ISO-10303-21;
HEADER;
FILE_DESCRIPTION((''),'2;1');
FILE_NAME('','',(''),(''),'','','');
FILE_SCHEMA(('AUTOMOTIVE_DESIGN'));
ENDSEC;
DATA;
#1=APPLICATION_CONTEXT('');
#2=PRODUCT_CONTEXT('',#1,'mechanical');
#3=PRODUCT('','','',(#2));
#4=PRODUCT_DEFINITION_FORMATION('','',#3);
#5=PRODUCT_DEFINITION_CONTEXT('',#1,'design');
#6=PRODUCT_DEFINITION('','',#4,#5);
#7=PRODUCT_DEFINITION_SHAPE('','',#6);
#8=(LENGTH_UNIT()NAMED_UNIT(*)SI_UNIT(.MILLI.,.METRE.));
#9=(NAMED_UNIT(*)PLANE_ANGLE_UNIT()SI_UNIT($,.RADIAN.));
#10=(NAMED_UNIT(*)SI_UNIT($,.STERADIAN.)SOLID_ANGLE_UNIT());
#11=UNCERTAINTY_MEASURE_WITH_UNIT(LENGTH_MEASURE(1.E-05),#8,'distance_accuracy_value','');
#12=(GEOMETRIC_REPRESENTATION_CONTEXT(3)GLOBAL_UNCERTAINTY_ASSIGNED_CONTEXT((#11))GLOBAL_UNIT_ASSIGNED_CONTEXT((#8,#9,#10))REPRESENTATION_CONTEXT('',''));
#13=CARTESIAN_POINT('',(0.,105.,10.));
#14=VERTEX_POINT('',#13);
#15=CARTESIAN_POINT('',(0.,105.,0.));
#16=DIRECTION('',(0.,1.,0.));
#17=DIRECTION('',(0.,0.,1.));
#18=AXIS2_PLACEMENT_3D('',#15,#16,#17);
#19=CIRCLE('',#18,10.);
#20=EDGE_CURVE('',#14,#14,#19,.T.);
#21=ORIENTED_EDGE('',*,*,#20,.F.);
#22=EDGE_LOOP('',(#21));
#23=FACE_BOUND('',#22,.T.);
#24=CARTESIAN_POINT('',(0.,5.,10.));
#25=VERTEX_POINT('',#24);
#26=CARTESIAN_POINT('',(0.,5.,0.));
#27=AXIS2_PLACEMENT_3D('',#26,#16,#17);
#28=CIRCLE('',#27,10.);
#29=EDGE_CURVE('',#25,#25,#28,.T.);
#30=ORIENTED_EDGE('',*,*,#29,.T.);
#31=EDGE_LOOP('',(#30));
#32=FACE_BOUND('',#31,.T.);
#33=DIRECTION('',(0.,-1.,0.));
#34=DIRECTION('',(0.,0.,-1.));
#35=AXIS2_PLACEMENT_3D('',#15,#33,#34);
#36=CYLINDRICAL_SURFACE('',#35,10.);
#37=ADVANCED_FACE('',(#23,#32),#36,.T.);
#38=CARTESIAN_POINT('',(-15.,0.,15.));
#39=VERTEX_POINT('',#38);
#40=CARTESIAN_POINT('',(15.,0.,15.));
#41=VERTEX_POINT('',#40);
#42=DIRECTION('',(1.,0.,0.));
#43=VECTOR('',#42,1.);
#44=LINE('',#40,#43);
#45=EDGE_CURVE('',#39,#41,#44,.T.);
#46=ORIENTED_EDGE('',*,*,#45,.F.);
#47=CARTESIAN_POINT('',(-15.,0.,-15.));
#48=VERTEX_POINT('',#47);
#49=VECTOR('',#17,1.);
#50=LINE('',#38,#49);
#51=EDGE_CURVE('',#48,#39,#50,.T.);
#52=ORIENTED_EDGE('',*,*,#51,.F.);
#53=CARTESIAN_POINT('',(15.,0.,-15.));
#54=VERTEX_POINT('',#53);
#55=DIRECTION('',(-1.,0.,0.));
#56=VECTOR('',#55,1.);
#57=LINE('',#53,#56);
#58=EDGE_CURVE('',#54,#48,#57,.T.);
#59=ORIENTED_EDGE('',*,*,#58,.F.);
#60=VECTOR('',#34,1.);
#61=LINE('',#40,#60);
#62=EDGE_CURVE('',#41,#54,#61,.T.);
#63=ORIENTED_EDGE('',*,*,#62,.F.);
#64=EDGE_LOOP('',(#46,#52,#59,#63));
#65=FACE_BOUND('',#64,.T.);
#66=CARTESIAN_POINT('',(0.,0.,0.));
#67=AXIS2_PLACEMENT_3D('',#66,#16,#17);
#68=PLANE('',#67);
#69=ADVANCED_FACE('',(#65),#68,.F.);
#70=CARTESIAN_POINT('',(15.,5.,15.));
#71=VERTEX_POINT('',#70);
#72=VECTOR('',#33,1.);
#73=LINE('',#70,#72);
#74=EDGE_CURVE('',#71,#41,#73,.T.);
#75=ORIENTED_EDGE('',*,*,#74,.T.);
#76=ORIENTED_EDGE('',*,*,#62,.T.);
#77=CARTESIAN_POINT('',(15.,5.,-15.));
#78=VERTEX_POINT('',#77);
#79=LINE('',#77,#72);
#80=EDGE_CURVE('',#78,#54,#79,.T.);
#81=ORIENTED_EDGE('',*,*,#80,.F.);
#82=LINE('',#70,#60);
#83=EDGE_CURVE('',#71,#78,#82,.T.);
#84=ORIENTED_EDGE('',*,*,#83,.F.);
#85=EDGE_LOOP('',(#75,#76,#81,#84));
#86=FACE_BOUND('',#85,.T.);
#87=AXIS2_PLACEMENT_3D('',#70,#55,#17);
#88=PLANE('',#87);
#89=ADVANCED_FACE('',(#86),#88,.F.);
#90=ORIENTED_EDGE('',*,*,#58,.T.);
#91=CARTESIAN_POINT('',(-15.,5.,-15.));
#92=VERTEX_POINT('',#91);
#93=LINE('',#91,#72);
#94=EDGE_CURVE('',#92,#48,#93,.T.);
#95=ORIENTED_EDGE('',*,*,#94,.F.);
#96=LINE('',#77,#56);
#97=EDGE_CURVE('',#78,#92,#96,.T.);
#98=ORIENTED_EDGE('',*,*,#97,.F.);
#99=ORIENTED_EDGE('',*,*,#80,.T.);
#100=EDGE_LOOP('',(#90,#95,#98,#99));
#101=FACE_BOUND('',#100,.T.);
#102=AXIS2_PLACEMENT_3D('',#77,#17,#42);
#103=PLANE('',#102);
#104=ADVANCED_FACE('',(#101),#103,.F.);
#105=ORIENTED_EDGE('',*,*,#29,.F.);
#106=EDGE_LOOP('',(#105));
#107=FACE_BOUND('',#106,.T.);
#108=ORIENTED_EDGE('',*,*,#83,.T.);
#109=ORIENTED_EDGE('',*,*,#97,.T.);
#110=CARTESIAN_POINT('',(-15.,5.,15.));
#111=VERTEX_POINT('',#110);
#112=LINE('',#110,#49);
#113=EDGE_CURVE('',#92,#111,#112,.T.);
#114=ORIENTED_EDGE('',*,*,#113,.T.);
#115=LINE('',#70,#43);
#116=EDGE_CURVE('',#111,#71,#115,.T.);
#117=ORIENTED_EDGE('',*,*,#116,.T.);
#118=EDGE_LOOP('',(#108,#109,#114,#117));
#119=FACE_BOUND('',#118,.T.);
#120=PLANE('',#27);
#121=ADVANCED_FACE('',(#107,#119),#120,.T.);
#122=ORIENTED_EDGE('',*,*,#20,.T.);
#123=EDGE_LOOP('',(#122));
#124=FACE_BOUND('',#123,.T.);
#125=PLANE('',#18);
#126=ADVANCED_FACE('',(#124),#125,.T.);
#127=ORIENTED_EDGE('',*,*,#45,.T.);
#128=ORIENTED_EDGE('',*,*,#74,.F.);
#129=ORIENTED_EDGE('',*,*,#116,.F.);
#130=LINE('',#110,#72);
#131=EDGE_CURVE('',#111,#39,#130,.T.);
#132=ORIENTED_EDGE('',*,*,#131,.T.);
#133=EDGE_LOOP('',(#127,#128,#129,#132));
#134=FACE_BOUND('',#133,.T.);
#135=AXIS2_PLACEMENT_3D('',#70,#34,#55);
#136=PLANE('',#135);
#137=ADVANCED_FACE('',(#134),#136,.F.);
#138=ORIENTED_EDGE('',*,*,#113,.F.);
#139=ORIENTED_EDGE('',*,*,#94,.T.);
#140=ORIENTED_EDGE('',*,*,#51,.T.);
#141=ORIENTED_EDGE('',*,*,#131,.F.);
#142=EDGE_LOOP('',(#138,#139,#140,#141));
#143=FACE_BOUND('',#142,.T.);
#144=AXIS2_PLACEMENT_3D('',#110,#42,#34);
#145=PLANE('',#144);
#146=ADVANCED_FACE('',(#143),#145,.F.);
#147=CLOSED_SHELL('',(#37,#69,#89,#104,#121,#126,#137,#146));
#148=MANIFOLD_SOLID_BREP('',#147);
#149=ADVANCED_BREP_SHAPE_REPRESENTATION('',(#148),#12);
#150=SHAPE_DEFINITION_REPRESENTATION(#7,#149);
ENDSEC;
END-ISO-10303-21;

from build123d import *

# Parameters (mm, degrees)
SKETCH1_W           = 30
SKETCH1_H           = 30
BOSS_EXTRUDE1_DEPTH = 5
SKETCH2_R           = 10
BOSS_EXTRUDE2_DEPTH = 100


with BuildPart() as part:
    # Sketch1 → Boss-Extrude1 (new body)
    with BuildSketch(Plane(origin=(0, 0, 0), x_dir=(1, 0, 0), z_dir=(0, 1, 0))):
        Rectangle(SKETCH1_W, SKETCH1_H)
    extrude(amount=BOSS_EXTRUDE1_DEPTH)

    # Sketch2 → Boss-Extrude2 (add)
    with BuildSketch(Plane(origin=(0, 5, 0), x_dir=(1, 0, 0), z_dir=(0, 1, 0))):
        with Locations(Location((0, 0, 0), (0, 0, 270))):
            Circle(SKETCH2_R)
    extrude(amount=BOSS_EXTRUDE2_DEPTH)


solid = part.part
